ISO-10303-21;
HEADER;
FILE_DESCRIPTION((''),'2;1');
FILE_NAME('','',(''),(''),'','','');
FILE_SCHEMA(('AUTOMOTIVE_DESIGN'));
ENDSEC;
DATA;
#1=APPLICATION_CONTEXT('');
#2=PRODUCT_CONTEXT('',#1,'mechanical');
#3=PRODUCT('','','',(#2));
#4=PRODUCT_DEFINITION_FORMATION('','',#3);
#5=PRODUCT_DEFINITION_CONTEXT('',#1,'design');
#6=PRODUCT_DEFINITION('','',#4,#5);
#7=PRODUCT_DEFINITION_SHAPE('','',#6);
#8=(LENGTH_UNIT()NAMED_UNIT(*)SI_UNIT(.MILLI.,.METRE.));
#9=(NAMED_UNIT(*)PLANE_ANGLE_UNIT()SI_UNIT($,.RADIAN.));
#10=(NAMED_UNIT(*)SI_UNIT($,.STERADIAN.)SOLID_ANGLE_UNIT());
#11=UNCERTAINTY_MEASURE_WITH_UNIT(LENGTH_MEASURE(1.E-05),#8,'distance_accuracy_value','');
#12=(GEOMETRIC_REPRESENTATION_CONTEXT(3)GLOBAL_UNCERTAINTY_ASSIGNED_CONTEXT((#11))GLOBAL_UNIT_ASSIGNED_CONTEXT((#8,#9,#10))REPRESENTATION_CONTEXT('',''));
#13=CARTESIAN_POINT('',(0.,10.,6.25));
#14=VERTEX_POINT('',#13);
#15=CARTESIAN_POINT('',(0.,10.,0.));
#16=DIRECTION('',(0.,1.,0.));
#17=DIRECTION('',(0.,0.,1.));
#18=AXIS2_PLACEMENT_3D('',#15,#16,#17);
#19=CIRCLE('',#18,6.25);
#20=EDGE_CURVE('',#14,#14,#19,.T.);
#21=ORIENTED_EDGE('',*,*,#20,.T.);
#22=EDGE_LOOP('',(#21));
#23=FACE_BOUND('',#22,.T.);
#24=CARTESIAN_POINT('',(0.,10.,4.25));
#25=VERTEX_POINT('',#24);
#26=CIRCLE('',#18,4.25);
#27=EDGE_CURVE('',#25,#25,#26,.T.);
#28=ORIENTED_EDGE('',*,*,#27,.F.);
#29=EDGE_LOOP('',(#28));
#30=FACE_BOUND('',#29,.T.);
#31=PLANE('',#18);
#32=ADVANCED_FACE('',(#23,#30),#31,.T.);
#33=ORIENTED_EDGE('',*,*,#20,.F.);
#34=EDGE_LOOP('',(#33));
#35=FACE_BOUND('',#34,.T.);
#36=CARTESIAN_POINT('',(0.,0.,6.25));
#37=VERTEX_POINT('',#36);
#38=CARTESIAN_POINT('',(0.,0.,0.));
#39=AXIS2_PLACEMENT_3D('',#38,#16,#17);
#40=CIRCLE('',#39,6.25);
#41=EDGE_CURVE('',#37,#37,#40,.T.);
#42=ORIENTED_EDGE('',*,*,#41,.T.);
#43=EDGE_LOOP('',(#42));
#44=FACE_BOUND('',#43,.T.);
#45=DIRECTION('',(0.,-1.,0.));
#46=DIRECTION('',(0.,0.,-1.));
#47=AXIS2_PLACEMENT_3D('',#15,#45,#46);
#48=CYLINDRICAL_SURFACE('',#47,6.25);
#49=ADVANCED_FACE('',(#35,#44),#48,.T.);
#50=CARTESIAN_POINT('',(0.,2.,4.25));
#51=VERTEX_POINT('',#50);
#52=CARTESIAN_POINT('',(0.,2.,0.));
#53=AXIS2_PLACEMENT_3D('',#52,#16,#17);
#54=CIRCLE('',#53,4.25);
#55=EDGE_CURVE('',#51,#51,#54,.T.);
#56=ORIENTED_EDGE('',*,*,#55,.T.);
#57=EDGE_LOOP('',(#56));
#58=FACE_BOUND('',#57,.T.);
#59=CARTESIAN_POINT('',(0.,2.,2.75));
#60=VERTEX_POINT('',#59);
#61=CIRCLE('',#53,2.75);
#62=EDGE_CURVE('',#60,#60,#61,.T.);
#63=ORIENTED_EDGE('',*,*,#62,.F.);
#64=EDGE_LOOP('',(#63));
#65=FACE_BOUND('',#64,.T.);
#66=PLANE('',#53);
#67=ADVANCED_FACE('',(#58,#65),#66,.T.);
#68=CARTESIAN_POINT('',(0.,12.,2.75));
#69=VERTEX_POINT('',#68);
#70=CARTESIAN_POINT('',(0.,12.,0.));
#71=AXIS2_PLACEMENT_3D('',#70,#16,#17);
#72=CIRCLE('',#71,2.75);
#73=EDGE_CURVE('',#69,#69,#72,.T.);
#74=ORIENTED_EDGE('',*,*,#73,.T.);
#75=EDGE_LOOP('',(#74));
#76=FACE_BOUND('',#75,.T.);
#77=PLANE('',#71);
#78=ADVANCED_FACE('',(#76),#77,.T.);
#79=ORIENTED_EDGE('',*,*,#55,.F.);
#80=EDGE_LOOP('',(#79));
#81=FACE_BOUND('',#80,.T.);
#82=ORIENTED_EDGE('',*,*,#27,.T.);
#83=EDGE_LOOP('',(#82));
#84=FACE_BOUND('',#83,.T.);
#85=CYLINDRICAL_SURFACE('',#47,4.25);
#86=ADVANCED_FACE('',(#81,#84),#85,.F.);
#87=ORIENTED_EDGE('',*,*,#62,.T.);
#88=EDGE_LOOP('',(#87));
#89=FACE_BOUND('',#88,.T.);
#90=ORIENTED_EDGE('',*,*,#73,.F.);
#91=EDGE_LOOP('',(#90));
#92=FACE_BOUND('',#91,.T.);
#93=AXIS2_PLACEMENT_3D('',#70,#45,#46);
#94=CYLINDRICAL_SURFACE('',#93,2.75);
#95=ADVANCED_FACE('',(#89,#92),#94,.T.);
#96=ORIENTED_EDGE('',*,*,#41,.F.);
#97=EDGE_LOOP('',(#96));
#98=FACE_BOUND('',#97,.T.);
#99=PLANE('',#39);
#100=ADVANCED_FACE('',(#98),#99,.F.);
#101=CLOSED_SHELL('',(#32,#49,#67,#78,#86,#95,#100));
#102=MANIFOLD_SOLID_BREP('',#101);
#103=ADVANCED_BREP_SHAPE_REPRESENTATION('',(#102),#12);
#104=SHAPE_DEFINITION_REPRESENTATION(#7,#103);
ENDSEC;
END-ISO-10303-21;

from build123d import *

# Parameters (mm, degrees)
SKETCH_1_R      = 6.25
EXTRUDE_2_DEPTH = 10
SHELL_1_T       = -2
SKETCH_2_R      = 2.75
EXTRUDE_3_DEPTH = 10


with BuildPart() as part:
    # 草图1 → 凸台-拉伸2 (new body)
    with BuildSketch(Plane(origin=(0, 0, 0), x_dir=(1, 0, 0), z_dir=(0, 1, 0))):
        with Locations(Location((0, 0, 0), (0, 0, 270))):
            Circle(SKETCH_1_R)
    extrude(amount=EXTRUDE_2_DEPTH)

    # 抽壳1
    shell_1_openings = [part.faces().sort_by_distance(p)[0] for p in [
        (0, 10, 0),
    ]]
    offset(amount=SHELL_1_T, openings=shell_1_openings, kind=Kind.INTERSECTION)

    # 草图2 → 凸台-拉伸3 (add)
    with BuildSketch(Plane(origin=(0, 2, 0), x_dir=(1, 0, 0), z_dir=(0, 1, 0))):
        with Locations(Location((0, 0, 0), (0, 0, 270))):
            Circle(SKETCH_2_R)
    extrude(amount=EXTRUDE_3_DEPTH)


solid = part.part
